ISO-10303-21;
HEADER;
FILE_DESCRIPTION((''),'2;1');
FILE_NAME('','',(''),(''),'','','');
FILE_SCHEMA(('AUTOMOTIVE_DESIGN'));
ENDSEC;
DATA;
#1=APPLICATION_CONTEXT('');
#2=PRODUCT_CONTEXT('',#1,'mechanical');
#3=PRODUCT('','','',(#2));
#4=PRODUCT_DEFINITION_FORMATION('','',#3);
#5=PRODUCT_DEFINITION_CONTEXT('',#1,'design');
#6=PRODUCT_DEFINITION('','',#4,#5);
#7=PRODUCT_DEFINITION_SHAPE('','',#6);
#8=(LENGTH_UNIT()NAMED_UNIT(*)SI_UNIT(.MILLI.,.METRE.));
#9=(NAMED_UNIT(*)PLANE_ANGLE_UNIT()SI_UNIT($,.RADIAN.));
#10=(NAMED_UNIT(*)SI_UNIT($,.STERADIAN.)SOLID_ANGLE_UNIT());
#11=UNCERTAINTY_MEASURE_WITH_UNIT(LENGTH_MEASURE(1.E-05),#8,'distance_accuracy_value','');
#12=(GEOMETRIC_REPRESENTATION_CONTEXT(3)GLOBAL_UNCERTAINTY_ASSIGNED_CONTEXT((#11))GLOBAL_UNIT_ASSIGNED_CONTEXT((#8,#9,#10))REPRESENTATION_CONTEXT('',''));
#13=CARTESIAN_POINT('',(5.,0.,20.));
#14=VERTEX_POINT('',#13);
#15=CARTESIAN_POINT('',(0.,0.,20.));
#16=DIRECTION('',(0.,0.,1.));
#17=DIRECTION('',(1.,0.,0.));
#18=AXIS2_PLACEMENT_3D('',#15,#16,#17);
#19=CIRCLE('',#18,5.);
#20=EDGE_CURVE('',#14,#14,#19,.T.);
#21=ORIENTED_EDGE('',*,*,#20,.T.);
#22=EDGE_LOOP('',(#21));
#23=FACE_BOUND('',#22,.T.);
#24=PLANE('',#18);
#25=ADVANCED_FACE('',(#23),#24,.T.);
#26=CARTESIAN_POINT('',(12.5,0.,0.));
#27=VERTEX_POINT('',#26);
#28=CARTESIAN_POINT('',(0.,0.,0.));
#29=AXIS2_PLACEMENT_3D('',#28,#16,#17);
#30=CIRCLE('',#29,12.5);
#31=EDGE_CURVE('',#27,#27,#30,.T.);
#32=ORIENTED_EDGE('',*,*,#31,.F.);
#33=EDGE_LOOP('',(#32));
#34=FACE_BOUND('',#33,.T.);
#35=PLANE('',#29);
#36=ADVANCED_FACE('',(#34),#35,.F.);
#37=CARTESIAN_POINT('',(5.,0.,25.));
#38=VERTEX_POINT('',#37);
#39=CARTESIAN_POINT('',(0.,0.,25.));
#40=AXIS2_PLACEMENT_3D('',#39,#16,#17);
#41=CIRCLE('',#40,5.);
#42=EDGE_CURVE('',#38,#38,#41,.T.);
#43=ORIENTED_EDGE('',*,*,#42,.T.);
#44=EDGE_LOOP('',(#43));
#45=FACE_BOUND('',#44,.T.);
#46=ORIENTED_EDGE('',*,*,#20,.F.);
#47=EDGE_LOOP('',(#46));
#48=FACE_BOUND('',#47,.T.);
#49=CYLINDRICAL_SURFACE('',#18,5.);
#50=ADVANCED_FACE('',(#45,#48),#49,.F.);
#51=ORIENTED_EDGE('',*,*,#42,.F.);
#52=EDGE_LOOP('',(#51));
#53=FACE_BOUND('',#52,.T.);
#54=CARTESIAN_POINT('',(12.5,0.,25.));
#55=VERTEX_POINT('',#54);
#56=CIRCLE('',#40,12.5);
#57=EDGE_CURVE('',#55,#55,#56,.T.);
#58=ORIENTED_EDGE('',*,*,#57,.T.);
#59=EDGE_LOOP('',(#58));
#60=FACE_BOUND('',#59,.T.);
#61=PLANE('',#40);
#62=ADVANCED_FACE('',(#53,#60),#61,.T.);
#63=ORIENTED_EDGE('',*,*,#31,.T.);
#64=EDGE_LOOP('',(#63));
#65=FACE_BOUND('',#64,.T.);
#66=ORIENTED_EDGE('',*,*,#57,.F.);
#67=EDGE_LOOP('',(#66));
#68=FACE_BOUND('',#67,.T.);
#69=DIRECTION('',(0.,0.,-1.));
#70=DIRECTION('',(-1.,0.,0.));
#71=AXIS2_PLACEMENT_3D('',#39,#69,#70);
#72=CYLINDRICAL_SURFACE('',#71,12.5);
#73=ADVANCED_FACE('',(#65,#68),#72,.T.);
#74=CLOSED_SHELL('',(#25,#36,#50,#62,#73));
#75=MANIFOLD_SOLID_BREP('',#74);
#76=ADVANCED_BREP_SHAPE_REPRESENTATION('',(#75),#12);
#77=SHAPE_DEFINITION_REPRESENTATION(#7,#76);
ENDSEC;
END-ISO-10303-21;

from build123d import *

# Parameters (mm, degrees)
ESQUISSE1_R             = 12.5
BOSS_EXTRU_1_DEPTH      = 25
ESQUISSE3_R             = 5
ENL_V_MAT_EXTRU_1_DEPTH = 5


with BuildPart() as part:
    # Esquisse1 → Boss.-Extru.1 (new body)
    with BuildSketch(Plane.XY):
        Circle(ESQUISSE1_R)
    extrude(amount=BOSS_EXTRU_1_DEPTH)

    # Esquisse3 → Enlèv. mat.-Extru.1 (cut)
    with BuildSketch(Plane.XY.offset(25)):
        Circle(ESQUISSE3_R)
    extrude(amount=-ENL_V_MAT_EXTRU_1_DEPTH, mode=Mode.SUBTRACT)


solid = part.part
